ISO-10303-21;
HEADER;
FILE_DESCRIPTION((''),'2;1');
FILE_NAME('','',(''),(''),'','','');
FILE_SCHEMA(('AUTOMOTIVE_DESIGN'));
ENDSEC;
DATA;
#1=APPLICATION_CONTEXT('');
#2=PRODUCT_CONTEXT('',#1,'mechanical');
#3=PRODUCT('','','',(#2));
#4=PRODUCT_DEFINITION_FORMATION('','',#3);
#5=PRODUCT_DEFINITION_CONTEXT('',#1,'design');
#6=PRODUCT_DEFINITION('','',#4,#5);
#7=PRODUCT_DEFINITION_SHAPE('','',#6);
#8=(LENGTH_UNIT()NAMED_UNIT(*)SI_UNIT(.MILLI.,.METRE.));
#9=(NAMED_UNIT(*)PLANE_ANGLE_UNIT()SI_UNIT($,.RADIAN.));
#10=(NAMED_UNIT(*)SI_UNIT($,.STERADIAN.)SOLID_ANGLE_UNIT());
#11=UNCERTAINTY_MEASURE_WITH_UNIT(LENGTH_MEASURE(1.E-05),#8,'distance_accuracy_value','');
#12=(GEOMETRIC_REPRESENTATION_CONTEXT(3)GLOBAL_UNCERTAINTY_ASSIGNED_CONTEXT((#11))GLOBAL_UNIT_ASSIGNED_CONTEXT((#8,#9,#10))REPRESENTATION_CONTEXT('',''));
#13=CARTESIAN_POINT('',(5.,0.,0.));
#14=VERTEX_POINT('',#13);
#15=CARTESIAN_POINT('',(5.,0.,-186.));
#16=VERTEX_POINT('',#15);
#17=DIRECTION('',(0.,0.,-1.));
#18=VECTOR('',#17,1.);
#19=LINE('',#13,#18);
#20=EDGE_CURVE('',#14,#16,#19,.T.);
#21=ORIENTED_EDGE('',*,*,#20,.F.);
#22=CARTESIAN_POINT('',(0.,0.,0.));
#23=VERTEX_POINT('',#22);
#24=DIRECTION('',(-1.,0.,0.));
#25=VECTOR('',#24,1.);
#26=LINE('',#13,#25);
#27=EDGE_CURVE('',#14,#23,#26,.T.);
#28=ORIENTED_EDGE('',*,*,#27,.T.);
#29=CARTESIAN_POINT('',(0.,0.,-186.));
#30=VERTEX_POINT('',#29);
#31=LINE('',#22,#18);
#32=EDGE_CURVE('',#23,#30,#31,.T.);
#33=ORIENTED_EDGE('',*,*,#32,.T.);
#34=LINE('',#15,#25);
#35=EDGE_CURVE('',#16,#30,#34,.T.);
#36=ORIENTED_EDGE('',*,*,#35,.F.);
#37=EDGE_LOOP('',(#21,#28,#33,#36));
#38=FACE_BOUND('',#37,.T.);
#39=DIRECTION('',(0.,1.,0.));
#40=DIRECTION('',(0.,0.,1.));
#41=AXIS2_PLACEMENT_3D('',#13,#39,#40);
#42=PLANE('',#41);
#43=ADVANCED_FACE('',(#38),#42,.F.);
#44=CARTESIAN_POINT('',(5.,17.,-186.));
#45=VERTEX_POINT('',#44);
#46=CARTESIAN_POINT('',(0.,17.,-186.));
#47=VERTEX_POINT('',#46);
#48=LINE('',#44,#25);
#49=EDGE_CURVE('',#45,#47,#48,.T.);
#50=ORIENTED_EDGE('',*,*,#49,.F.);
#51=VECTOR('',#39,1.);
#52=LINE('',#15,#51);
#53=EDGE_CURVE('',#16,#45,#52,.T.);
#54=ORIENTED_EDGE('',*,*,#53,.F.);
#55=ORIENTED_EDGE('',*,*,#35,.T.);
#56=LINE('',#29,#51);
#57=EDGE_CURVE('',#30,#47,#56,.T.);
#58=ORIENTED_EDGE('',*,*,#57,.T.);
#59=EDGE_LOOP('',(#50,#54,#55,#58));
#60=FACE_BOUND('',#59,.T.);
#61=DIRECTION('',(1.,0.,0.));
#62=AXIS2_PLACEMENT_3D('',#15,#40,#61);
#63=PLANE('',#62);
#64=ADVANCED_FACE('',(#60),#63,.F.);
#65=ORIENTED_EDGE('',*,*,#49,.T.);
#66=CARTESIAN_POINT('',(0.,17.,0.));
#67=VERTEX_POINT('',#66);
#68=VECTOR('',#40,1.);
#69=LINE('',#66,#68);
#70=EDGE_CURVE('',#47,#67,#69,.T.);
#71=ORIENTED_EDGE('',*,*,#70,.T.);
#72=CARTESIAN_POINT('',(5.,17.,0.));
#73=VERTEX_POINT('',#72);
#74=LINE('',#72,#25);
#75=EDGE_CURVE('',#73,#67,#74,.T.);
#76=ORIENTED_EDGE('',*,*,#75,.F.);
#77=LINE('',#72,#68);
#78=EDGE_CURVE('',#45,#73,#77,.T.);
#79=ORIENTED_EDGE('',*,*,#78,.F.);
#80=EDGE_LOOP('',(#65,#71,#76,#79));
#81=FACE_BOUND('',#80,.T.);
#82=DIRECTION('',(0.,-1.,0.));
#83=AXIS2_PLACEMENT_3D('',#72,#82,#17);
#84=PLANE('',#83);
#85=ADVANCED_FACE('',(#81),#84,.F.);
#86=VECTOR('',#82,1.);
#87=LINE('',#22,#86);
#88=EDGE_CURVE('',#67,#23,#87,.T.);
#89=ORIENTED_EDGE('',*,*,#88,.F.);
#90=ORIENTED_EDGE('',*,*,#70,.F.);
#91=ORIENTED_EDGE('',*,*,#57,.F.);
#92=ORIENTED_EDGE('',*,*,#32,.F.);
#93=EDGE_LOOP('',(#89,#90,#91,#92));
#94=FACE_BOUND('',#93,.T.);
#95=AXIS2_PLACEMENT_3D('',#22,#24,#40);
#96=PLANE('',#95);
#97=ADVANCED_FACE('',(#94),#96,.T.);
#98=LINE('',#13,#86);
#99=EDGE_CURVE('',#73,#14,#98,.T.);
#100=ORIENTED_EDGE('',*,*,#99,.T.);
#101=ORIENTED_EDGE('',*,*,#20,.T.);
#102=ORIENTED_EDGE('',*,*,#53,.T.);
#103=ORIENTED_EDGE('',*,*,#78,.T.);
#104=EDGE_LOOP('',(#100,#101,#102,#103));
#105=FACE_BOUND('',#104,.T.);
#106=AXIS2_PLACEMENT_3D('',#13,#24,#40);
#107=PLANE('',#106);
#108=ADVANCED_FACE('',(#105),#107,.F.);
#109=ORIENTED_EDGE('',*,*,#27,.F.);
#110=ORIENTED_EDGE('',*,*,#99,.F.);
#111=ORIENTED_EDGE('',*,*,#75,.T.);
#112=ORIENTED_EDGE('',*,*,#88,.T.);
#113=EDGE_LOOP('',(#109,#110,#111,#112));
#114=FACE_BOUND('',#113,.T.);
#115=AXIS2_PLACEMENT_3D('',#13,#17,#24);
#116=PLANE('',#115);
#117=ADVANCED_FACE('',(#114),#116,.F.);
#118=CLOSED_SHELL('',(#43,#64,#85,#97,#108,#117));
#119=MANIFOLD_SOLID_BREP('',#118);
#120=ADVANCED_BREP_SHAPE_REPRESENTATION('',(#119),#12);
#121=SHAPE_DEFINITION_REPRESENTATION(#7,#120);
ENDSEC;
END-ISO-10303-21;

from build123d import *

# Parameters (mm, degrees)
SKIZZE1_W                       = 186
SKIZZE1_H                       = 17
AUFSATZ_LINEAR_AUSTRAGEN1_DEPTH = 5


with BuildPart() as part:
    # Skizze1 → Aufsatz-Linear austragen1 (new body)
    with BuildSketch(Plane(origin=(0, 0, 0), x_dir=(0, 0, -1), z_dir=(1, 0, 0))):
        with Locations((93, 8.5)):
            Rectangle(SKIZZE1_W, SKIZZE1_H)
    extrude(amount=AUFSATZ_LINEAR_AUSTRAGEN1_DEPTH)


solid = part.part
